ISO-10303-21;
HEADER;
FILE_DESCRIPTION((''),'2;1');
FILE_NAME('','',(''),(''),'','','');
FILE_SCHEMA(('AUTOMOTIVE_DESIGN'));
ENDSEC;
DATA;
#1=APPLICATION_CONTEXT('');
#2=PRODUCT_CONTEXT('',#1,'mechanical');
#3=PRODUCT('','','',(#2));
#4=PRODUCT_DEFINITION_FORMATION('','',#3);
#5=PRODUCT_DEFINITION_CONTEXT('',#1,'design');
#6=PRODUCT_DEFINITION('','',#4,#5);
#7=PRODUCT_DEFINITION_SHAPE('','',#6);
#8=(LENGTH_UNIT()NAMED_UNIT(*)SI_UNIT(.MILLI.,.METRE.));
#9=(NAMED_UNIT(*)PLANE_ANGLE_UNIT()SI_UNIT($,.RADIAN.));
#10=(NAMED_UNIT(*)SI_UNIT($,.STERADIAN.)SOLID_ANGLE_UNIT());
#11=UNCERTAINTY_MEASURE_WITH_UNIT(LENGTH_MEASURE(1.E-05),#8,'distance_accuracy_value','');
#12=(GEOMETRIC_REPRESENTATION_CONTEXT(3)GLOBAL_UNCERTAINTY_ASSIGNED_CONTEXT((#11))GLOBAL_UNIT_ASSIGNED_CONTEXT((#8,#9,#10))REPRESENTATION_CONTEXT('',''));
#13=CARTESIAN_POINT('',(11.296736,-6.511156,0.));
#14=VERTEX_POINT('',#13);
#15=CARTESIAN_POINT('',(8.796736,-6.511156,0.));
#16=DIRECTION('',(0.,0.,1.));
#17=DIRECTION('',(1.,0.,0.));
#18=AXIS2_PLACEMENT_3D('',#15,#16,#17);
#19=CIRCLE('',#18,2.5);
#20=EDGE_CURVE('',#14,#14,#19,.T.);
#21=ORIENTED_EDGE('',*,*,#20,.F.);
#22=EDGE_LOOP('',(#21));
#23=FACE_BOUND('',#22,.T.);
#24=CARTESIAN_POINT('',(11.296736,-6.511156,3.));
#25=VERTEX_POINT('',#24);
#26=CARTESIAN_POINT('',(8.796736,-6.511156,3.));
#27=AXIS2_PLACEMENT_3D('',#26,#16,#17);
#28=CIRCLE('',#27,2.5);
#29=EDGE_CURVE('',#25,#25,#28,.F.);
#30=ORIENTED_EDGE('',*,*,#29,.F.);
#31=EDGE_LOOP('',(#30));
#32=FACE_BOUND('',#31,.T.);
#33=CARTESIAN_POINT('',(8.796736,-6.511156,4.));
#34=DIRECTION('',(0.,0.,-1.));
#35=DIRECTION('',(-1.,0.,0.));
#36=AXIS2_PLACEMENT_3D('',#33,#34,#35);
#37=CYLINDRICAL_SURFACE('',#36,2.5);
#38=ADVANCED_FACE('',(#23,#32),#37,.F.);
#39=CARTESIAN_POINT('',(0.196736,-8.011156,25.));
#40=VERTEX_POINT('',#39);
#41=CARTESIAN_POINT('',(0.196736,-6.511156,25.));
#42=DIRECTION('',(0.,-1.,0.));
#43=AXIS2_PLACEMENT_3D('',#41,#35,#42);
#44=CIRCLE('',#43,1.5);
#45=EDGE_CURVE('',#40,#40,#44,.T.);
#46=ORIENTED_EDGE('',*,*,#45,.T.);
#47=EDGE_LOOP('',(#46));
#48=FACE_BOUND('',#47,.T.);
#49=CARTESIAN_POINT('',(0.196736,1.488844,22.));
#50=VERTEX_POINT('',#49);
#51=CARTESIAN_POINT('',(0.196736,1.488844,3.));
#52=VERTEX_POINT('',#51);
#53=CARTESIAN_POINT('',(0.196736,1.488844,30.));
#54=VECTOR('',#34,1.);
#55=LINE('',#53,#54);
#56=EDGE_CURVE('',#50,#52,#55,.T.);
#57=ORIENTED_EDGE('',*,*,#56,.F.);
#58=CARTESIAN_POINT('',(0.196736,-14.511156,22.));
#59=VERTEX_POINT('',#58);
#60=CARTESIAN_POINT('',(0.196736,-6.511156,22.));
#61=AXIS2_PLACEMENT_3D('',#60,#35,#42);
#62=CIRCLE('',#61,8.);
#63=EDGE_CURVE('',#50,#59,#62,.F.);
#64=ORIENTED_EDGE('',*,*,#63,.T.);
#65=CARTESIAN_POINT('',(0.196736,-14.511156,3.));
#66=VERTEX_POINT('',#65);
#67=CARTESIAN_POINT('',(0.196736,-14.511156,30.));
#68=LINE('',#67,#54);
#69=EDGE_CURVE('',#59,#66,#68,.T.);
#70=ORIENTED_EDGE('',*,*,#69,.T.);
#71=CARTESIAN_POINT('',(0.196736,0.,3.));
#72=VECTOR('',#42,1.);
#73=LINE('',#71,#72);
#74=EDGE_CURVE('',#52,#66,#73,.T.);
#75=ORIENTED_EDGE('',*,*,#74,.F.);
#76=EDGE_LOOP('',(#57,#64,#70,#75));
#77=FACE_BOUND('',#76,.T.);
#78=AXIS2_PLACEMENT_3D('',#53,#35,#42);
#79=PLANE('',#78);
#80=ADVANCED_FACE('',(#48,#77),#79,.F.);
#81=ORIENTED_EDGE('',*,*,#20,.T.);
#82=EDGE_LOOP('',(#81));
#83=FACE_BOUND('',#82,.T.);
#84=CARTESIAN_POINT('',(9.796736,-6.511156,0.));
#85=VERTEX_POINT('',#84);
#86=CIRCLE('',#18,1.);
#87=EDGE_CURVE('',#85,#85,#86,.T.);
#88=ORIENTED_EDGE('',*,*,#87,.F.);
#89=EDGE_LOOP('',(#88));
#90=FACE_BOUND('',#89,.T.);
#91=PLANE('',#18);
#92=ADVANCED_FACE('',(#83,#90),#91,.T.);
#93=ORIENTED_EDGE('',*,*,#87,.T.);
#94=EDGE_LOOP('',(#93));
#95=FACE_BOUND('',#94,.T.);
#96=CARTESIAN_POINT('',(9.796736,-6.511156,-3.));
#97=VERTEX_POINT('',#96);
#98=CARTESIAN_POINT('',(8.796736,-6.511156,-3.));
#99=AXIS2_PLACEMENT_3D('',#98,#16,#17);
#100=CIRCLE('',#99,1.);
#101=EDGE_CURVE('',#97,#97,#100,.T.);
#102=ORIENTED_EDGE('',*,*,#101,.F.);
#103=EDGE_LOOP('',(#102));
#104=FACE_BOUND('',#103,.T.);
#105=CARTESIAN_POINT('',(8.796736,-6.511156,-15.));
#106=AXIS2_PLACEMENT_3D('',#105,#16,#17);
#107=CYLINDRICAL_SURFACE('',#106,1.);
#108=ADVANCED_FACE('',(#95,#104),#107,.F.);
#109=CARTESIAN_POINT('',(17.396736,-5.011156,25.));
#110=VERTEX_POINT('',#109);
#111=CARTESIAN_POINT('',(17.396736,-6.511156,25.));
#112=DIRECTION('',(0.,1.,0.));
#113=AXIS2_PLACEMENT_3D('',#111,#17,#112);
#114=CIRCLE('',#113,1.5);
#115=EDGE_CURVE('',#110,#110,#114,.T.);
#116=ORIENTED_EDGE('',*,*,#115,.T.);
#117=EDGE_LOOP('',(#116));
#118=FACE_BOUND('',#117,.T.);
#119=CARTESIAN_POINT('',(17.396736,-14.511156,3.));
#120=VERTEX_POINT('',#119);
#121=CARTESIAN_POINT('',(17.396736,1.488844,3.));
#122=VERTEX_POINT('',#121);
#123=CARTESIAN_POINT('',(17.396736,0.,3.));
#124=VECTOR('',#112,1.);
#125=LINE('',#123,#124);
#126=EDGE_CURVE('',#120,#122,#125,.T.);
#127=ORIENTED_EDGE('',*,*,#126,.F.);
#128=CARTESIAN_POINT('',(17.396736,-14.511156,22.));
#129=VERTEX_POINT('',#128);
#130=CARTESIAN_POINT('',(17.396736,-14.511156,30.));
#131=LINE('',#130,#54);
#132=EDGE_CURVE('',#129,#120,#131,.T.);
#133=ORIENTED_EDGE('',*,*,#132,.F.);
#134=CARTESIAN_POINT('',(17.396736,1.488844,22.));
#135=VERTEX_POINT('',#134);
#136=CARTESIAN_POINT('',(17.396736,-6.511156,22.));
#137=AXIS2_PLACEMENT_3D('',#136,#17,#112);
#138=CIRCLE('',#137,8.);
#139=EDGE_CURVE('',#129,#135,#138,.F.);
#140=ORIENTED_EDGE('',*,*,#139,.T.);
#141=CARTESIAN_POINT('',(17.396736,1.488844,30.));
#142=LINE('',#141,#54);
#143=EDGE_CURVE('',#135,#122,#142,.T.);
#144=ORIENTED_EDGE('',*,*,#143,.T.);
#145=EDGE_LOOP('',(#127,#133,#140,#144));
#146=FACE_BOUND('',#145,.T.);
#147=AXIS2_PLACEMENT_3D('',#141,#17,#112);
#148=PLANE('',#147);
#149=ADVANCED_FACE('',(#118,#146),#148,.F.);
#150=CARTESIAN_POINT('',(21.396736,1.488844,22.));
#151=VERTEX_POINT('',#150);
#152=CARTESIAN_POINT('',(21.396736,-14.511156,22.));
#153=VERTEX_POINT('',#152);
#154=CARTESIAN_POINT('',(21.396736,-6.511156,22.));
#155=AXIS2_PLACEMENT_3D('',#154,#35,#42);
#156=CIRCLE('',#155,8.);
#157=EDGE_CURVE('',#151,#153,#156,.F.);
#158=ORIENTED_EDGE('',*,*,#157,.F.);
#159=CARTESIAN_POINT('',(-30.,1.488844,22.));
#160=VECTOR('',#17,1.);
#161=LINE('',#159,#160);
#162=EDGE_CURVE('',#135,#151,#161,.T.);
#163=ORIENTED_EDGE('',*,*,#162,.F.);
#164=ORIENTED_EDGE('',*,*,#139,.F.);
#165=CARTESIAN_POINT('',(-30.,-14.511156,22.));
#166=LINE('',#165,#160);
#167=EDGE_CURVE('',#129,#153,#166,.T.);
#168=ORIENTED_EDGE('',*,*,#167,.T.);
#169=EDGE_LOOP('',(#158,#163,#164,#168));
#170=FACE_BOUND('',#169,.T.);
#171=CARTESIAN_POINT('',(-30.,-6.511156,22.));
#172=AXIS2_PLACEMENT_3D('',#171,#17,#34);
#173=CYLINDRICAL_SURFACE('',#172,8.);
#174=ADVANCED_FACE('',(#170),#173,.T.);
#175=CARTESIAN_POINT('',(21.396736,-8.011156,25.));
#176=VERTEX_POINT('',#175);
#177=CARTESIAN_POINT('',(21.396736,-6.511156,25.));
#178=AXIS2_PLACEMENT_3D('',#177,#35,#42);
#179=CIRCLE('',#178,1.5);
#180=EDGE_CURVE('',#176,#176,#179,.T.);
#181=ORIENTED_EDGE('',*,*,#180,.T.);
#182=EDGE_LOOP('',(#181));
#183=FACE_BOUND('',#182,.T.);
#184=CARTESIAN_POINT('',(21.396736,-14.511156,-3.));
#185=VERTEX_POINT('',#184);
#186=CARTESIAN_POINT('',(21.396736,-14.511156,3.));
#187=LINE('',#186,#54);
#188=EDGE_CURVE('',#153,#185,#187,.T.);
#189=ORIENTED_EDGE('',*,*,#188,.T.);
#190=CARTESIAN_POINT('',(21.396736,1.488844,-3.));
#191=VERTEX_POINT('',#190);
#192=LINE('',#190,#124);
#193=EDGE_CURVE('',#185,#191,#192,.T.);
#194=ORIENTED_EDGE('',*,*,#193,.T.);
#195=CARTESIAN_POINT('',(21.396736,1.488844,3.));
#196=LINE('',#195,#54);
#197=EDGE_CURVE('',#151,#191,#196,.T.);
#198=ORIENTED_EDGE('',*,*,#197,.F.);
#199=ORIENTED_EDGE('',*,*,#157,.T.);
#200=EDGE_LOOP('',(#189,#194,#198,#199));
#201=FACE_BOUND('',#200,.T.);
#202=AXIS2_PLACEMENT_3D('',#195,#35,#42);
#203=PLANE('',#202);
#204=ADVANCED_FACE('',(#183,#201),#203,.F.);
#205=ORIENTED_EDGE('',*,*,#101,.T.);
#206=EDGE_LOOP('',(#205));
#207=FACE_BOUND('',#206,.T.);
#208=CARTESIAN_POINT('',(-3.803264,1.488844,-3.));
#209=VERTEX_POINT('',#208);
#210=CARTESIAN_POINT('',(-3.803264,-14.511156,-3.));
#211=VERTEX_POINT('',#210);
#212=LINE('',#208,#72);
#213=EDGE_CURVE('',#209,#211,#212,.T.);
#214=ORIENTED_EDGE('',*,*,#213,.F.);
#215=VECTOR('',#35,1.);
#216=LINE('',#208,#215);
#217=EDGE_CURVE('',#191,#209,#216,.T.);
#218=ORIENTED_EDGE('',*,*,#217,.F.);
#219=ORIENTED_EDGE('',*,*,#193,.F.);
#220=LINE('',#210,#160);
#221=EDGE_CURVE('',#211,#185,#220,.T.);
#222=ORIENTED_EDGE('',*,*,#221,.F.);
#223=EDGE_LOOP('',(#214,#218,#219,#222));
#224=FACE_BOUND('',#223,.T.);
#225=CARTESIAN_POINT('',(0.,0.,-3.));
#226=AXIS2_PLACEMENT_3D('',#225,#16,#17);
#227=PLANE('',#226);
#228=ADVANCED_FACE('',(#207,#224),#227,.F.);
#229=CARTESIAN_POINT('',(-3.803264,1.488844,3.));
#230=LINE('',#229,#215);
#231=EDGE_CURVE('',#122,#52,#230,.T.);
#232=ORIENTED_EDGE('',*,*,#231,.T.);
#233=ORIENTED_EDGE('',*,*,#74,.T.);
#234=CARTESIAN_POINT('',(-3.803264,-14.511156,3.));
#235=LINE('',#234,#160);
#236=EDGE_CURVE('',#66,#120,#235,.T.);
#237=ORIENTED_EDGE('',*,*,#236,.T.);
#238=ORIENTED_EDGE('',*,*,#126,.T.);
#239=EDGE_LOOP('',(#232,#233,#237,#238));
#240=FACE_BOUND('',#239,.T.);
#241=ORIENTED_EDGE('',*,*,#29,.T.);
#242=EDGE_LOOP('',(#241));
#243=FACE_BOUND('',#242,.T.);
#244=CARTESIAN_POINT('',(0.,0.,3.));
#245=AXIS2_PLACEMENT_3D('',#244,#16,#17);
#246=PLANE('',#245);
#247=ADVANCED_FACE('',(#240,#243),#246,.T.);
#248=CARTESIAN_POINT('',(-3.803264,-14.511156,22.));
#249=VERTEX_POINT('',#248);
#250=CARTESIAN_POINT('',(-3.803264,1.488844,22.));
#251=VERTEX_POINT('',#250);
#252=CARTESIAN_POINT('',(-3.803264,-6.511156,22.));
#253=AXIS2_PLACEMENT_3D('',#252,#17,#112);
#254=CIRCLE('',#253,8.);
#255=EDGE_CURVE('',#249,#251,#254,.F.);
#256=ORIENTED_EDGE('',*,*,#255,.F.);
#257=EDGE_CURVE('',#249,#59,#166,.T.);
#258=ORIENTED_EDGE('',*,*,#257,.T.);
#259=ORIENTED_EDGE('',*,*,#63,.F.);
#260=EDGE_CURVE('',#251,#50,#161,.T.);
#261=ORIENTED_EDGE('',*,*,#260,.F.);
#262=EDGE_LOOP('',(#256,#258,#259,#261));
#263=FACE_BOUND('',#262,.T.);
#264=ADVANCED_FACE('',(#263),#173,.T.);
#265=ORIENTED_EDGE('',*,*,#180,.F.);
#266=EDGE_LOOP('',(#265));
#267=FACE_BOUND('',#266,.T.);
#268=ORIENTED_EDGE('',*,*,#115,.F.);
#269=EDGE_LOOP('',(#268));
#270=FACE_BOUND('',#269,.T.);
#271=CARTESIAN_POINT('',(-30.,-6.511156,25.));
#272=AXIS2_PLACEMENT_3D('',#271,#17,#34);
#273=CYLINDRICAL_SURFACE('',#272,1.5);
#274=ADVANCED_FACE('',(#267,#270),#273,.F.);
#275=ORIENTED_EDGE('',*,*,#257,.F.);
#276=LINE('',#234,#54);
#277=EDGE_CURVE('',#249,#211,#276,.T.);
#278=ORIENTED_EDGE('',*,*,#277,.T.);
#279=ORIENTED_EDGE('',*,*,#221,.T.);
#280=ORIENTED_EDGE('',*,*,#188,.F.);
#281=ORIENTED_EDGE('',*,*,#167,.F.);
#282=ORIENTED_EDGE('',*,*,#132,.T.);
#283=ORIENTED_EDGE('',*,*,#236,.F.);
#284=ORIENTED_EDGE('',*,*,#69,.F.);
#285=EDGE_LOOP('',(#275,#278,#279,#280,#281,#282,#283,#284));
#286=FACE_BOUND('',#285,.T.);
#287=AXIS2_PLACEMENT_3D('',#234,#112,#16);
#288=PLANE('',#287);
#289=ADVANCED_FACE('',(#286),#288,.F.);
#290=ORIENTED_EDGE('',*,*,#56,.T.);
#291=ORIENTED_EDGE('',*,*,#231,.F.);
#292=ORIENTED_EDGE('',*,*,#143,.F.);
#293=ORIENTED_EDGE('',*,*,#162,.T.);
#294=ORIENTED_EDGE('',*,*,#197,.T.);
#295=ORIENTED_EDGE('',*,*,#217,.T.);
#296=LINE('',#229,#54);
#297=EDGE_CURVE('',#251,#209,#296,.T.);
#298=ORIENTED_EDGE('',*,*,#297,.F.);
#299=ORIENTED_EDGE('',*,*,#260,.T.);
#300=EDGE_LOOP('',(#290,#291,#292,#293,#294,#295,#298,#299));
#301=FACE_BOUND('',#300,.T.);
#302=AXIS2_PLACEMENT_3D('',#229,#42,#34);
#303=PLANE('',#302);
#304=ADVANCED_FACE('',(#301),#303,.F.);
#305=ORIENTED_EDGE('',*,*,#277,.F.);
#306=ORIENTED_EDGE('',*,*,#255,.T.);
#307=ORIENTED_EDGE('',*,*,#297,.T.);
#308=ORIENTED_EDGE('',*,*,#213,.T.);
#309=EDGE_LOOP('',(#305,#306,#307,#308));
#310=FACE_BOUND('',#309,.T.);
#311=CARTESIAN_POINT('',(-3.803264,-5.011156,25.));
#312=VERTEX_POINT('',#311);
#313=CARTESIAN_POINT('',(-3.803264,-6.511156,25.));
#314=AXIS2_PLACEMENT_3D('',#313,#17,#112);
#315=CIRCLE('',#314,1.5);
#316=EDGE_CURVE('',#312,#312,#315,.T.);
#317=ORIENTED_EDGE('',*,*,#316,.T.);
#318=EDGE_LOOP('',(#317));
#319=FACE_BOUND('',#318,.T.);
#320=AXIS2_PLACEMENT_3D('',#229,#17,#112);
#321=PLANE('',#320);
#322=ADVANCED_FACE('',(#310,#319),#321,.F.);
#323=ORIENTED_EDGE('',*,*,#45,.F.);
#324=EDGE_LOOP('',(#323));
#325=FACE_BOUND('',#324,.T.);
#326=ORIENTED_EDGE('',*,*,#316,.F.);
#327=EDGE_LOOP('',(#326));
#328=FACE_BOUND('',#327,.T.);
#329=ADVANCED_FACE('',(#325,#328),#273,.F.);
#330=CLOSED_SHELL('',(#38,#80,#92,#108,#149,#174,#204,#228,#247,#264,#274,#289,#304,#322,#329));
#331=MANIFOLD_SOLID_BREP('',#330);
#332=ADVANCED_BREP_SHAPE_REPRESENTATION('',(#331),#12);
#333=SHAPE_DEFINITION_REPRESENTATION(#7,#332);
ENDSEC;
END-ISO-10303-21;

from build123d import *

# Parameters (mm, degrees)
IZIM1_W                     = 25.2
IZIM1_H                     = 16
Y_KSEKLIK_EKSTR_ZYON1_DEPTH = 3
IZIM3_W                     = 4
IZIM3_H                     = 16
Y_KSEKLIK_EKSTR_ZYON2_DEPTH = 30
KES_EKSTR_ZYON3_DEPTH       = 30
IZIM5_R                     = 1.5
KES_EKSTR_ZYON4_DEPTH       = 30
IZIM6_R                     = 2.5
KES_EKSTR_ZYON5_DEPTH       = 4
IZIM7_R                     = 1
KES_EKSTR_ZYON6_DEPTH       = 15


with BuildPart() as part:
    # Çizim1 → Yükseklik-Ekstrüzyon1 (new, symmetric)
    with BuildSketch(Plane.XY):
        with Locations((8.796736324, -6.511156057)):
            Rectangle(IZIM1_W, IZIM1_H)
    extrude(amount=Y_KSEKLIK_EKSTR_ZYON1_DEPTH, both=True)

    # Çizim3 → Yükseklik-Ekstrüzyon2 (add)
    with BuildSketch(Plane.XY):
        with Locations((-1.803263676, -6.511156057)):
            Rectangle(IZIM3_W, IZIM3_H)
        with Locations((19.396736324, -6.511156057)):
            Rectangle(IZIM3_W, IZIM3_H)
    extrude(amount=Y_KSEKLIK_EKSTR_ZYON2_DEPTH)

    # Çizim4 → Kes-Ekstrüzyon3 (cut, symmetric)
    with BuildSketch(Plane(origin=(0, 0, 0), x_dir=(0, 0, -1), z_dir=(1, 0, 0))):
        with BuildLine():
            Line((-22, 1.488843943), (-31.468609906, 1.488843943))
            Line((-31.468609906, 1.488843943), (-31.468609906, -14.511156057))
            Line((-31.468609906, -14.511156057), (-22, -14.511156057))
            ThreePointArc((-22, -14.511156057), (-30, -6.511156057), (-22, 1.488843943))
        make_face()
    extrude(amount=KES_EKSTR_ZYON3_DEPTH, both=True, mode=Mode.SUBTRACT)

    # Çizim5 → Kes-Ekstrüzyon4 (cut, symmetric)
    with BuildSketch(Plane(origin=(0, 0, 0), x_dir=(0, 0, -1), z_dir=(1, 0, 0))):
        with Locations(Location((-25, -6.511156057, 0), (0, 0, 90))):
            Circle(IZIM5_R)
    extrude(amount=KES_EKSTR_ZYON4_DEPTH, both=True, mode=Mode.SUBTRACT)

    # Çizim6 → Kes-Ekstrüzyon5 (cut)
    with BuildSketch(Plane.XY):
        with Locations((8.796736324, -6.511156057)):
            Circle(IZIM6_R)
    extrude(amount=KES_EKSTR_ZYON5_DEPTH, mode=Mode.SUBTRACT)

    # Çizim7 → Kes-Ekstrüzyon6 (cut)
    with BuildSketch(Plane.XY):
        with Locations((8.796736324, -6.511156057)):
            Circle(IZIM7_R)
    extrude(amount=-KES_EKSTR_ZYON6_DEPTH, mode=Mode.SUBTRACT)


solid = part.part
